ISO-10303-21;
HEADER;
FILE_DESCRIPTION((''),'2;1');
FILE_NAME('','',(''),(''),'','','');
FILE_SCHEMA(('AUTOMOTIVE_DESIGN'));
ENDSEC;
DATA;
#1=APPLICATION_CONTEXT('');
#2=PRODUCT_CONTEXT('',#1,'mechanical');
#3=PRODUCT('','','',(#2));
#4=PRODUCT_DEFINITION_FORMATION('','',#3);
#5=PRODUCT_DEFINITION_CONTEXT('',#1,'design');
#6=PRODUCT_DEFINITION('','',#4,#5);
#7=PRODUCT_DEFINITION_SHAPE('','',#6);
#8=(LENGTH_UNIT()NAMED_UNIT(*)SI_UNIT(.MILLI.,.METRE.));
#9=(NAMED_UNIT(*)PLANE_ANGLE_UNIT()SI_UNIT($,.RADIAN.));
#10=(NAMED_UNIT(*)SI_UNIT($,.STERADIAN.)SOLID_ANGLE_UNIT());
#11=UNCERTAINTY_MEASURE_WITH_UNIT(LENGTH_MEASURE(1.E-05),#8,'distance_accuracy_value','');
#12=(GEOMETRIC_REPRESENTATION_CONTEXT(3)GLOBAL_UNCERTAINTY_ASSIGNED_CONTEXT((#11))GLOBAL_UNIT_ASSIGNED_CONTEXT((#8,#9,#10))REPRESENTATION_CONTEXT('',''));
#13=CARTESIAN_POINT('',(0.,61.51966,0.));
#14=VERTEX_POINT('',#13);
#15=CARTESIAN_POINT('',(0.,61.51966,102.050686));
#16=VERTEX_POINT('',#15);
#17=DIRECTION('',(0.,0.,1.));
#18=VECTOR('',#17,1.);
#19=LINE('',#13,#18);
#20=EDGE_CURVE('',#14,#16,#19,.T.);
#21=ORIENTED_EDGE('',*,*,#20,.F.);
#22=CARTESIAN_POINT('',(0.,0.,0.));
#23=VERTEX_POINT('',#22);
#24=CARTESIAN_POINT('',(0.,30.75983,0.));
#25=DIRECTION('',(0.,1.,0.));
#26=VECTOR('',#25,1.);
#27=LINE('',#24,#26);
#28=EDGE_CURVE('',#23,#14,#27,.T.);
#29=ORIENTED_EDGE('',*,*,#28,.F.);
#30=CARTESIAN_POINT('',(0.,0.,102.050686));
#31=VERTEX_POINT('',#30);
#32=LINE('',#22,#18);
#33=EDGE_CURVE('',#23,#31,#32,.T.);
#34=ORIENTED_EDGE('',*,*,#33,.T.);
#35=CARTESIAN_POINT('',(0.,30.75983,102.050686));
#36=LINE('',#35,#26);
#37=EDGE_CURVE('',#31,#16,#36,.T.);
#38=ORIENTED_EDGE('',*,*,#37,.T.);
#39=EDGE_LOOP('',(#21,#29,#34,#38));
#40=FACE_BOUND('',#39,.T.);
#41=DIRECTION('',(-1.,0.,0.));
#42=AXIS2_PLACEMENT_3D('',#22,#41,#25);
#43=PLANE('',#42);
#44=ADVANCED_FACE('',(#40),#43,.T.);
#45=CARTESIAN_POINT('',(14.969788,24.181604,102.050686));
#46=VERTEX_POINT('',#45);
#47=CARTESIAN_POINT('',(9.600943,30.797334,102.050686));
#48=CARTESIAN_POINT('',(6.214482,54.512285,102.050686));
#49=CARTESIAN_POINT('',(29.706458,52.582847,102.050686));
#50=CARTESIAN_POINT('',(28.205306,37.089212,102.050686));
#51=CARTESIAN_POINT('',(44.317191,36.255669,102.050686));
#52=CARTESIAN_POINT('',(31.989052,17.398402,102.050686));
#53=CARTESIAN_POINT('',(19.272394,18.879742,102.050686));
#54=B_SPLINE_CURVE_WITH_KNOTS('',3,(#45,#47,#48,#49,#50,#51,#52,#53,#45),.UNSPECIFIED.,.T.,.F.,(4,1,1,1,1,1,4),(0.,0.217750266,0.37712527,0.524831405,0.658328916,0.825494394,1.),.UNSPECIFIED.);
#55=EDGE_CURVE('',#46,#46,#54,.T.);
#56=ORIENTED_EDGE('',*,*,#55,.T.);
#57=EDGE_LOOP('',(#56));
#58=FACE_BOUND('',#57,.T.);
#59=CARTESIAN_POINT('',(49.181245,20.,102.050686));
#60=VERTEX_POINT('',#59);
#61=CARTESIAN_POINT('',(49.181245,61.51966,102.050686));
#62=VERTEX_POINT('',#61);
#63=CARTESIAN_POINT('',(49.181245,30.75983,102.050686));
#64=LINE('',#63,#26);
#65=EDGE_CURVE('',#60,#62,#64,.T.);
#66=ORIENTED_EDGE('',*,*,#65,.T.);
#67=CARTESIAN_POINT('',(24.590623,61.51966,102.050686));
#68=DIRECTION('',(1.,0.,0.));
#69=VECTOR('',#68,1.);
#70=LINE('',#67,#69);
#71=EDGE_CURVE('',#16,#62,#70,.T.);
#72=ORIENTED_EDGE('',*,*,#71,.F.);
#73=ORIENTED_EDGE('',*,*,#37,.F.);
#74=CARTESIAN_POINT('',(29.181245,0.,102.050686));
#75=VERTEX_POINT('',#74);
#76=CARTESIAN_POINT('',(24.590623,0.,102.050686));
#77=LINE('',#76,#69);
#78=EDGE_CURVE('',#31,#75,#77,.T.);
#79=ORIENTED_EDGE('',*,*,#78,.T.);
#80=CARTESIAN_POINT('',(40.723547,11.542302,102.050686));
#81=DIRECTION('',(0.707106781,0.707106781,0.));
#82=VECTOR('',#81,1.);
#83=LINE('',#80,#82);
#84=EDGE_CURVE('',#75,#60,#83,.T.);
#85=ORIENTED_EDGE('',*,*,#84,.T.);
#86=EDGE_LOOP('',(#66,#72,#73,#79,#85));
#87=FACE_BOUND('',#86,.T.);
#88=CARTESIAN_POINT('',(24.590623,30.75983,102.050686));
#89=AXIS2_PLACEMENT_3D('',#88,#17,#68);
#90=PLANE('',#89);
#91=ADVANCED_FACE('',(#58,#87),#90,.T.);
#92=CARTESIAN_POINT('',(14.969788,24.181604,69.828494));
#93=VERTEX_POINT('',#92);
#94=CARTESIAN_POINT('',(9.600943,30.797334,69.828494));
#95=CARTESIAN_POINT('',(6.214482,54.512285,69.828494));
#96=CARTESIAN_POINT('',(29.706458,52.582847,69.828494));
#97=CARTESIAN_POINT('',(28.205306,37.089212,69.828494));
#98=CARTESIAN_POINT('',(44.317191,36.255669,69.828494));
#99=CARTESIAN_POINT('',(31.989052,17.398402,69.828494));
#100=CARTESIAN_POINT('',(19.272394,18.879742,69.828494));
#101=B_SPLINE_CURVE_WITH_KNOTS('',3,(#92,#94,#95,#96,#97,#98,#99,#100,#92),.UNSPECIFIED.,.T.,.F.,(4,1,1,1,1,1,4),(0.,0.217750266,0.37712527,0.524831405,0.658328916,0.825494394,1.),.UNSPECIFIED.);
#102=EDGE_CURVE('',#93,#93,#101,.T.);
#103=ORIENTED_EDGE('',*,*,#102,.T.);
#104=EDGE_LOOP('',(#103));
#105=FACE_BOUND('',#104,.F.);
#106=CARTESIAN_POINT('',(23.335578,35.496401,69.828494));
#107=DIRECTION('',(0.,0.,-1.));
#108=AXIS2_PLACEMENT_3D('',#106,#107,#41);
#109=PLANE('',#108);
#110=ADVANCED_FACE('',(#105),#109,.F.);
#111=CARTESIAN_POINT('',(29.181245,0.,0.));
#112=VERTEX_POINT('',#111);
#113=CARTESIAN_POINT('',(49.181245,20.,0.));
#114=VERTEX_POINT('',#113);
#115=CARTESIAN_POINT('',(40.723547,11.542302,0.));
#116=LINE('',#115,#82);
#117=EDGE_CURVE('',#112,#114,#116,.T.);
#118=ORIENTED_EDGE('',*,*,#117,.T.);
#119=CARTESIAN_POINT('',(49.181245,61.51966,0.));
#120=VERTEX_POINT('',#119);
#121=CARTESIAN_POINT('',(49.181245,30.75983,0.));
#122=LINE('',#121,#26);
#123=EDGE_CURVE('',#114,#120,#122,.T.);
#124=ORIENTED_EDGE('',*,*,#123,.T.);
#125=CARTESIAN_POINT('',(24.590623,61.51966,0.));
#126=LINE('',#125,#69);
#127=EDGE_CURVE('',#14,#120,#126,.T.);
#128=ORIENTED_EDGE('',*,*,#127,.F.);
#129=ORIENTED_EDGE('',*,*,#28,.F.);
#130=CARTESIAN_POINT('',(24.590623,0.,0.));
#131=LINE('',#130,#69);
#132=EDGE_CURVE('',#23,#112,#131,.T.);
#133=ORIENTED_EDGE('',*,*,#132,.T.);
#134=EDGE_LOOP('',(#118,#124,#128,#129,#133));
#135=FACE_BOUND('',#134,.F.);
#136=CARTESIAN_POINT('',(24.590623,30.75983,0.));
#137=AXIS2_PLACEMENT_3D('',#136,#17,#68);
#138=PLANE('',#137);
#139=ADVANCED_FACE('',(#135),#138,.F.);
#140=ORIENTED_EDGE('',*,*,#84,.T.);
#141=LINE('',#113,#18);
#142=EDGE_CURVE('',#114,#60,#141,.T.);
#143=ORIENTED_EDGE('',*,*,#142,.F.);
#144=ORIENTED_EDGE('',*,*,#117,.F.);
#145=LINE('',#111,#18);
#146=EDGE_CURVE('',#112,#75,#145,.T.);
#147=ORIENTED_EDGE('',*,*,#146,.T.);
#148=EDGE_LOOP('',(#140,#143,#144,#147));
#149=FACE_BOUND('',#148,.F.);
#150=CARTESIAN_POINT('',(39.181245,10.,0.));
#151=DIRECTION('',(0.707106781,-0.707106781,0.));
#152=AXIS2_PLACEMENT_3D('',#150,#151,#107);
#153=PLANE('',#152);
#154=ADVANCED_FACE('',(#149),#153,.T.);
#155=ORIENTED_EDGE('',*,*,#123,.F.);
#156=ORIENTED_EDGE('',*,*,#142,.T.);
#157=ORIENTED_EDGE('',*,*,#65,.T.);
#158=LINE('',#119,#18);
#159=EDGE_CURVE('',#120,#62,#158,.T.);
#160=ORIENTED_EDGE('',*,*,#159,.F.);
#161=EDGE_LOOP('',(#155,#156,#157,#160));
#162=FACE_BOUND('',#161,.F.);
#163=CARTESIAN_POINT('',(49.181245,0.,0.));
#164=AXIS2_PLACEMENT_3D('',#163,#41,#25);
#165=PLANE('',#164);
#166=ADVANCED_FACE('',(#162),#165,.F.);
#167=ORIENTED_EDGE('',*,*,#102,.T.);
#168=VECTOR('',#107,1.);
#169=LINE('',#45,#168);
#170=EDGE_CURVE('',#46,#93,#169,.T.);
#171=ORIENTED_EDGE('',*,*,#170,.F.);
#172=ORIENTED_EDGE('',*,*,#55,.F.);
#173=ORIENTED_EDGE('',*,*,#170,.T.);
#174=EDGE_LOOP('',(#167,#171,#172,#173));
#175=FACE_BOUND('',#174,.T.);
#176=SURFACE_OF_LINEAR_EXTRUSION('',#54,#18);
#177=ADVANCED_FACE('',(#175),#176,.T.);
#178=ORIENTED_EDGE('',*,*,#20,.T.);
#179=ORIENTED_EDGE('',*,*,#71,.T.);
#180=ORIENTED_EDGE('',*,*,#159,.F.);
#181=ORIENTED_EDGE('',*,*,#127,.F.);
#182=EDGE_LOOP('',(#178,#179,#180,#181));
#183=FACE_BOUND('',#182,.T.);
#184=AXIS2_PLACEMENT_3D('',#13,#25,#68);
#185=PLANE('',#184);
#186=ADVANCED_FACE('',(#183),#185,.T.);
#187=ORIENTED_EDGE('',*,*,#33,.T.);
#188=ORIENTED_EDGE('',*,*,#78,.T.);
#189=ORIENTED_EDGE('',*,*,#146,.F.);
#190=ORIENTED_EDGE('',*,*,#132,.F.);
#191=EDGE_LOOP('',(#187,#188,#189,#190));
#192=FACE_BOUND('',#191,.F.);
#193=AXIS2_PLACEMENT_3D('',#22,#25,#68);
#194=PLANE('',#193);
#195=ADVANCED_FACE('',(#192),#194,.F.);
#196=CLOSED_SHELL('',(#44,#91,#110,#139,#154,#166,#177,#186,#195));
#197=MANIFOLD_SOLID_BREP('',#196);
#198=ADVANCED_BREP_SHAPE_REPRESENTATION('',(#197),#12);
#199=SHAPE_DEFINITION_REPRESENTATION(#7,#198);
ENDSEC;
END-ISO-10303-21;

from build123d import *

# Parameters (mm, degrees)
F0_W     = 49.1812452674
F0_H     = 61.5196600556
F1_DEPTH = 102.0506862551
F2_SIZE  = 20
F4_DEPTH = 32.2221927345


with BuildPart() as f1:
    # F0 (on Top) → F1 (new body)
    with BuildSketch(Plane.XY):
        with Locations((24.5906226337, 30.7598300278)):
            Rectangle(F0_W, F0_H)
    extrude(amount=F1_DEPTH)

    # F2
    f2_edges = [f1.edges().sort_by_distance(p)[0] for p in [
        (49.181245, 0, 51.025343),
    ]]
    chamfer(f2_edges, length=F2_SIZE)

    # F3 (on face) → F4 (cut)
    with BuildSketch(Plane.XY.offset(102.0506862551)):
        with BuildLine():
            add(Edge.make_bspline(
                [(14.9697884917, 24.1816043854), (9.6009433452, 30.797334319), (6.214481847, 54.512284672), (29.7064583043, 52.5828474483), (28.205306037, 37.0892116051), (44.3171907964, 36.2556686485), (31.9890515151, 17.3984020192), (19.272394379, 18.8797419207), (14.9697884917, 24.1816043854)],
                knots=[0, 0, 0, 0, 0.2177502656, 0.3771252695, 0.5248314049, 0.6583289156, 0.8254943942, 1, 1, 1, 1], degree=3))
        make_face()
    extrude(amount=-F4_DEPTH, mode=Mode.SUBTRACT)


solid = f1.part
